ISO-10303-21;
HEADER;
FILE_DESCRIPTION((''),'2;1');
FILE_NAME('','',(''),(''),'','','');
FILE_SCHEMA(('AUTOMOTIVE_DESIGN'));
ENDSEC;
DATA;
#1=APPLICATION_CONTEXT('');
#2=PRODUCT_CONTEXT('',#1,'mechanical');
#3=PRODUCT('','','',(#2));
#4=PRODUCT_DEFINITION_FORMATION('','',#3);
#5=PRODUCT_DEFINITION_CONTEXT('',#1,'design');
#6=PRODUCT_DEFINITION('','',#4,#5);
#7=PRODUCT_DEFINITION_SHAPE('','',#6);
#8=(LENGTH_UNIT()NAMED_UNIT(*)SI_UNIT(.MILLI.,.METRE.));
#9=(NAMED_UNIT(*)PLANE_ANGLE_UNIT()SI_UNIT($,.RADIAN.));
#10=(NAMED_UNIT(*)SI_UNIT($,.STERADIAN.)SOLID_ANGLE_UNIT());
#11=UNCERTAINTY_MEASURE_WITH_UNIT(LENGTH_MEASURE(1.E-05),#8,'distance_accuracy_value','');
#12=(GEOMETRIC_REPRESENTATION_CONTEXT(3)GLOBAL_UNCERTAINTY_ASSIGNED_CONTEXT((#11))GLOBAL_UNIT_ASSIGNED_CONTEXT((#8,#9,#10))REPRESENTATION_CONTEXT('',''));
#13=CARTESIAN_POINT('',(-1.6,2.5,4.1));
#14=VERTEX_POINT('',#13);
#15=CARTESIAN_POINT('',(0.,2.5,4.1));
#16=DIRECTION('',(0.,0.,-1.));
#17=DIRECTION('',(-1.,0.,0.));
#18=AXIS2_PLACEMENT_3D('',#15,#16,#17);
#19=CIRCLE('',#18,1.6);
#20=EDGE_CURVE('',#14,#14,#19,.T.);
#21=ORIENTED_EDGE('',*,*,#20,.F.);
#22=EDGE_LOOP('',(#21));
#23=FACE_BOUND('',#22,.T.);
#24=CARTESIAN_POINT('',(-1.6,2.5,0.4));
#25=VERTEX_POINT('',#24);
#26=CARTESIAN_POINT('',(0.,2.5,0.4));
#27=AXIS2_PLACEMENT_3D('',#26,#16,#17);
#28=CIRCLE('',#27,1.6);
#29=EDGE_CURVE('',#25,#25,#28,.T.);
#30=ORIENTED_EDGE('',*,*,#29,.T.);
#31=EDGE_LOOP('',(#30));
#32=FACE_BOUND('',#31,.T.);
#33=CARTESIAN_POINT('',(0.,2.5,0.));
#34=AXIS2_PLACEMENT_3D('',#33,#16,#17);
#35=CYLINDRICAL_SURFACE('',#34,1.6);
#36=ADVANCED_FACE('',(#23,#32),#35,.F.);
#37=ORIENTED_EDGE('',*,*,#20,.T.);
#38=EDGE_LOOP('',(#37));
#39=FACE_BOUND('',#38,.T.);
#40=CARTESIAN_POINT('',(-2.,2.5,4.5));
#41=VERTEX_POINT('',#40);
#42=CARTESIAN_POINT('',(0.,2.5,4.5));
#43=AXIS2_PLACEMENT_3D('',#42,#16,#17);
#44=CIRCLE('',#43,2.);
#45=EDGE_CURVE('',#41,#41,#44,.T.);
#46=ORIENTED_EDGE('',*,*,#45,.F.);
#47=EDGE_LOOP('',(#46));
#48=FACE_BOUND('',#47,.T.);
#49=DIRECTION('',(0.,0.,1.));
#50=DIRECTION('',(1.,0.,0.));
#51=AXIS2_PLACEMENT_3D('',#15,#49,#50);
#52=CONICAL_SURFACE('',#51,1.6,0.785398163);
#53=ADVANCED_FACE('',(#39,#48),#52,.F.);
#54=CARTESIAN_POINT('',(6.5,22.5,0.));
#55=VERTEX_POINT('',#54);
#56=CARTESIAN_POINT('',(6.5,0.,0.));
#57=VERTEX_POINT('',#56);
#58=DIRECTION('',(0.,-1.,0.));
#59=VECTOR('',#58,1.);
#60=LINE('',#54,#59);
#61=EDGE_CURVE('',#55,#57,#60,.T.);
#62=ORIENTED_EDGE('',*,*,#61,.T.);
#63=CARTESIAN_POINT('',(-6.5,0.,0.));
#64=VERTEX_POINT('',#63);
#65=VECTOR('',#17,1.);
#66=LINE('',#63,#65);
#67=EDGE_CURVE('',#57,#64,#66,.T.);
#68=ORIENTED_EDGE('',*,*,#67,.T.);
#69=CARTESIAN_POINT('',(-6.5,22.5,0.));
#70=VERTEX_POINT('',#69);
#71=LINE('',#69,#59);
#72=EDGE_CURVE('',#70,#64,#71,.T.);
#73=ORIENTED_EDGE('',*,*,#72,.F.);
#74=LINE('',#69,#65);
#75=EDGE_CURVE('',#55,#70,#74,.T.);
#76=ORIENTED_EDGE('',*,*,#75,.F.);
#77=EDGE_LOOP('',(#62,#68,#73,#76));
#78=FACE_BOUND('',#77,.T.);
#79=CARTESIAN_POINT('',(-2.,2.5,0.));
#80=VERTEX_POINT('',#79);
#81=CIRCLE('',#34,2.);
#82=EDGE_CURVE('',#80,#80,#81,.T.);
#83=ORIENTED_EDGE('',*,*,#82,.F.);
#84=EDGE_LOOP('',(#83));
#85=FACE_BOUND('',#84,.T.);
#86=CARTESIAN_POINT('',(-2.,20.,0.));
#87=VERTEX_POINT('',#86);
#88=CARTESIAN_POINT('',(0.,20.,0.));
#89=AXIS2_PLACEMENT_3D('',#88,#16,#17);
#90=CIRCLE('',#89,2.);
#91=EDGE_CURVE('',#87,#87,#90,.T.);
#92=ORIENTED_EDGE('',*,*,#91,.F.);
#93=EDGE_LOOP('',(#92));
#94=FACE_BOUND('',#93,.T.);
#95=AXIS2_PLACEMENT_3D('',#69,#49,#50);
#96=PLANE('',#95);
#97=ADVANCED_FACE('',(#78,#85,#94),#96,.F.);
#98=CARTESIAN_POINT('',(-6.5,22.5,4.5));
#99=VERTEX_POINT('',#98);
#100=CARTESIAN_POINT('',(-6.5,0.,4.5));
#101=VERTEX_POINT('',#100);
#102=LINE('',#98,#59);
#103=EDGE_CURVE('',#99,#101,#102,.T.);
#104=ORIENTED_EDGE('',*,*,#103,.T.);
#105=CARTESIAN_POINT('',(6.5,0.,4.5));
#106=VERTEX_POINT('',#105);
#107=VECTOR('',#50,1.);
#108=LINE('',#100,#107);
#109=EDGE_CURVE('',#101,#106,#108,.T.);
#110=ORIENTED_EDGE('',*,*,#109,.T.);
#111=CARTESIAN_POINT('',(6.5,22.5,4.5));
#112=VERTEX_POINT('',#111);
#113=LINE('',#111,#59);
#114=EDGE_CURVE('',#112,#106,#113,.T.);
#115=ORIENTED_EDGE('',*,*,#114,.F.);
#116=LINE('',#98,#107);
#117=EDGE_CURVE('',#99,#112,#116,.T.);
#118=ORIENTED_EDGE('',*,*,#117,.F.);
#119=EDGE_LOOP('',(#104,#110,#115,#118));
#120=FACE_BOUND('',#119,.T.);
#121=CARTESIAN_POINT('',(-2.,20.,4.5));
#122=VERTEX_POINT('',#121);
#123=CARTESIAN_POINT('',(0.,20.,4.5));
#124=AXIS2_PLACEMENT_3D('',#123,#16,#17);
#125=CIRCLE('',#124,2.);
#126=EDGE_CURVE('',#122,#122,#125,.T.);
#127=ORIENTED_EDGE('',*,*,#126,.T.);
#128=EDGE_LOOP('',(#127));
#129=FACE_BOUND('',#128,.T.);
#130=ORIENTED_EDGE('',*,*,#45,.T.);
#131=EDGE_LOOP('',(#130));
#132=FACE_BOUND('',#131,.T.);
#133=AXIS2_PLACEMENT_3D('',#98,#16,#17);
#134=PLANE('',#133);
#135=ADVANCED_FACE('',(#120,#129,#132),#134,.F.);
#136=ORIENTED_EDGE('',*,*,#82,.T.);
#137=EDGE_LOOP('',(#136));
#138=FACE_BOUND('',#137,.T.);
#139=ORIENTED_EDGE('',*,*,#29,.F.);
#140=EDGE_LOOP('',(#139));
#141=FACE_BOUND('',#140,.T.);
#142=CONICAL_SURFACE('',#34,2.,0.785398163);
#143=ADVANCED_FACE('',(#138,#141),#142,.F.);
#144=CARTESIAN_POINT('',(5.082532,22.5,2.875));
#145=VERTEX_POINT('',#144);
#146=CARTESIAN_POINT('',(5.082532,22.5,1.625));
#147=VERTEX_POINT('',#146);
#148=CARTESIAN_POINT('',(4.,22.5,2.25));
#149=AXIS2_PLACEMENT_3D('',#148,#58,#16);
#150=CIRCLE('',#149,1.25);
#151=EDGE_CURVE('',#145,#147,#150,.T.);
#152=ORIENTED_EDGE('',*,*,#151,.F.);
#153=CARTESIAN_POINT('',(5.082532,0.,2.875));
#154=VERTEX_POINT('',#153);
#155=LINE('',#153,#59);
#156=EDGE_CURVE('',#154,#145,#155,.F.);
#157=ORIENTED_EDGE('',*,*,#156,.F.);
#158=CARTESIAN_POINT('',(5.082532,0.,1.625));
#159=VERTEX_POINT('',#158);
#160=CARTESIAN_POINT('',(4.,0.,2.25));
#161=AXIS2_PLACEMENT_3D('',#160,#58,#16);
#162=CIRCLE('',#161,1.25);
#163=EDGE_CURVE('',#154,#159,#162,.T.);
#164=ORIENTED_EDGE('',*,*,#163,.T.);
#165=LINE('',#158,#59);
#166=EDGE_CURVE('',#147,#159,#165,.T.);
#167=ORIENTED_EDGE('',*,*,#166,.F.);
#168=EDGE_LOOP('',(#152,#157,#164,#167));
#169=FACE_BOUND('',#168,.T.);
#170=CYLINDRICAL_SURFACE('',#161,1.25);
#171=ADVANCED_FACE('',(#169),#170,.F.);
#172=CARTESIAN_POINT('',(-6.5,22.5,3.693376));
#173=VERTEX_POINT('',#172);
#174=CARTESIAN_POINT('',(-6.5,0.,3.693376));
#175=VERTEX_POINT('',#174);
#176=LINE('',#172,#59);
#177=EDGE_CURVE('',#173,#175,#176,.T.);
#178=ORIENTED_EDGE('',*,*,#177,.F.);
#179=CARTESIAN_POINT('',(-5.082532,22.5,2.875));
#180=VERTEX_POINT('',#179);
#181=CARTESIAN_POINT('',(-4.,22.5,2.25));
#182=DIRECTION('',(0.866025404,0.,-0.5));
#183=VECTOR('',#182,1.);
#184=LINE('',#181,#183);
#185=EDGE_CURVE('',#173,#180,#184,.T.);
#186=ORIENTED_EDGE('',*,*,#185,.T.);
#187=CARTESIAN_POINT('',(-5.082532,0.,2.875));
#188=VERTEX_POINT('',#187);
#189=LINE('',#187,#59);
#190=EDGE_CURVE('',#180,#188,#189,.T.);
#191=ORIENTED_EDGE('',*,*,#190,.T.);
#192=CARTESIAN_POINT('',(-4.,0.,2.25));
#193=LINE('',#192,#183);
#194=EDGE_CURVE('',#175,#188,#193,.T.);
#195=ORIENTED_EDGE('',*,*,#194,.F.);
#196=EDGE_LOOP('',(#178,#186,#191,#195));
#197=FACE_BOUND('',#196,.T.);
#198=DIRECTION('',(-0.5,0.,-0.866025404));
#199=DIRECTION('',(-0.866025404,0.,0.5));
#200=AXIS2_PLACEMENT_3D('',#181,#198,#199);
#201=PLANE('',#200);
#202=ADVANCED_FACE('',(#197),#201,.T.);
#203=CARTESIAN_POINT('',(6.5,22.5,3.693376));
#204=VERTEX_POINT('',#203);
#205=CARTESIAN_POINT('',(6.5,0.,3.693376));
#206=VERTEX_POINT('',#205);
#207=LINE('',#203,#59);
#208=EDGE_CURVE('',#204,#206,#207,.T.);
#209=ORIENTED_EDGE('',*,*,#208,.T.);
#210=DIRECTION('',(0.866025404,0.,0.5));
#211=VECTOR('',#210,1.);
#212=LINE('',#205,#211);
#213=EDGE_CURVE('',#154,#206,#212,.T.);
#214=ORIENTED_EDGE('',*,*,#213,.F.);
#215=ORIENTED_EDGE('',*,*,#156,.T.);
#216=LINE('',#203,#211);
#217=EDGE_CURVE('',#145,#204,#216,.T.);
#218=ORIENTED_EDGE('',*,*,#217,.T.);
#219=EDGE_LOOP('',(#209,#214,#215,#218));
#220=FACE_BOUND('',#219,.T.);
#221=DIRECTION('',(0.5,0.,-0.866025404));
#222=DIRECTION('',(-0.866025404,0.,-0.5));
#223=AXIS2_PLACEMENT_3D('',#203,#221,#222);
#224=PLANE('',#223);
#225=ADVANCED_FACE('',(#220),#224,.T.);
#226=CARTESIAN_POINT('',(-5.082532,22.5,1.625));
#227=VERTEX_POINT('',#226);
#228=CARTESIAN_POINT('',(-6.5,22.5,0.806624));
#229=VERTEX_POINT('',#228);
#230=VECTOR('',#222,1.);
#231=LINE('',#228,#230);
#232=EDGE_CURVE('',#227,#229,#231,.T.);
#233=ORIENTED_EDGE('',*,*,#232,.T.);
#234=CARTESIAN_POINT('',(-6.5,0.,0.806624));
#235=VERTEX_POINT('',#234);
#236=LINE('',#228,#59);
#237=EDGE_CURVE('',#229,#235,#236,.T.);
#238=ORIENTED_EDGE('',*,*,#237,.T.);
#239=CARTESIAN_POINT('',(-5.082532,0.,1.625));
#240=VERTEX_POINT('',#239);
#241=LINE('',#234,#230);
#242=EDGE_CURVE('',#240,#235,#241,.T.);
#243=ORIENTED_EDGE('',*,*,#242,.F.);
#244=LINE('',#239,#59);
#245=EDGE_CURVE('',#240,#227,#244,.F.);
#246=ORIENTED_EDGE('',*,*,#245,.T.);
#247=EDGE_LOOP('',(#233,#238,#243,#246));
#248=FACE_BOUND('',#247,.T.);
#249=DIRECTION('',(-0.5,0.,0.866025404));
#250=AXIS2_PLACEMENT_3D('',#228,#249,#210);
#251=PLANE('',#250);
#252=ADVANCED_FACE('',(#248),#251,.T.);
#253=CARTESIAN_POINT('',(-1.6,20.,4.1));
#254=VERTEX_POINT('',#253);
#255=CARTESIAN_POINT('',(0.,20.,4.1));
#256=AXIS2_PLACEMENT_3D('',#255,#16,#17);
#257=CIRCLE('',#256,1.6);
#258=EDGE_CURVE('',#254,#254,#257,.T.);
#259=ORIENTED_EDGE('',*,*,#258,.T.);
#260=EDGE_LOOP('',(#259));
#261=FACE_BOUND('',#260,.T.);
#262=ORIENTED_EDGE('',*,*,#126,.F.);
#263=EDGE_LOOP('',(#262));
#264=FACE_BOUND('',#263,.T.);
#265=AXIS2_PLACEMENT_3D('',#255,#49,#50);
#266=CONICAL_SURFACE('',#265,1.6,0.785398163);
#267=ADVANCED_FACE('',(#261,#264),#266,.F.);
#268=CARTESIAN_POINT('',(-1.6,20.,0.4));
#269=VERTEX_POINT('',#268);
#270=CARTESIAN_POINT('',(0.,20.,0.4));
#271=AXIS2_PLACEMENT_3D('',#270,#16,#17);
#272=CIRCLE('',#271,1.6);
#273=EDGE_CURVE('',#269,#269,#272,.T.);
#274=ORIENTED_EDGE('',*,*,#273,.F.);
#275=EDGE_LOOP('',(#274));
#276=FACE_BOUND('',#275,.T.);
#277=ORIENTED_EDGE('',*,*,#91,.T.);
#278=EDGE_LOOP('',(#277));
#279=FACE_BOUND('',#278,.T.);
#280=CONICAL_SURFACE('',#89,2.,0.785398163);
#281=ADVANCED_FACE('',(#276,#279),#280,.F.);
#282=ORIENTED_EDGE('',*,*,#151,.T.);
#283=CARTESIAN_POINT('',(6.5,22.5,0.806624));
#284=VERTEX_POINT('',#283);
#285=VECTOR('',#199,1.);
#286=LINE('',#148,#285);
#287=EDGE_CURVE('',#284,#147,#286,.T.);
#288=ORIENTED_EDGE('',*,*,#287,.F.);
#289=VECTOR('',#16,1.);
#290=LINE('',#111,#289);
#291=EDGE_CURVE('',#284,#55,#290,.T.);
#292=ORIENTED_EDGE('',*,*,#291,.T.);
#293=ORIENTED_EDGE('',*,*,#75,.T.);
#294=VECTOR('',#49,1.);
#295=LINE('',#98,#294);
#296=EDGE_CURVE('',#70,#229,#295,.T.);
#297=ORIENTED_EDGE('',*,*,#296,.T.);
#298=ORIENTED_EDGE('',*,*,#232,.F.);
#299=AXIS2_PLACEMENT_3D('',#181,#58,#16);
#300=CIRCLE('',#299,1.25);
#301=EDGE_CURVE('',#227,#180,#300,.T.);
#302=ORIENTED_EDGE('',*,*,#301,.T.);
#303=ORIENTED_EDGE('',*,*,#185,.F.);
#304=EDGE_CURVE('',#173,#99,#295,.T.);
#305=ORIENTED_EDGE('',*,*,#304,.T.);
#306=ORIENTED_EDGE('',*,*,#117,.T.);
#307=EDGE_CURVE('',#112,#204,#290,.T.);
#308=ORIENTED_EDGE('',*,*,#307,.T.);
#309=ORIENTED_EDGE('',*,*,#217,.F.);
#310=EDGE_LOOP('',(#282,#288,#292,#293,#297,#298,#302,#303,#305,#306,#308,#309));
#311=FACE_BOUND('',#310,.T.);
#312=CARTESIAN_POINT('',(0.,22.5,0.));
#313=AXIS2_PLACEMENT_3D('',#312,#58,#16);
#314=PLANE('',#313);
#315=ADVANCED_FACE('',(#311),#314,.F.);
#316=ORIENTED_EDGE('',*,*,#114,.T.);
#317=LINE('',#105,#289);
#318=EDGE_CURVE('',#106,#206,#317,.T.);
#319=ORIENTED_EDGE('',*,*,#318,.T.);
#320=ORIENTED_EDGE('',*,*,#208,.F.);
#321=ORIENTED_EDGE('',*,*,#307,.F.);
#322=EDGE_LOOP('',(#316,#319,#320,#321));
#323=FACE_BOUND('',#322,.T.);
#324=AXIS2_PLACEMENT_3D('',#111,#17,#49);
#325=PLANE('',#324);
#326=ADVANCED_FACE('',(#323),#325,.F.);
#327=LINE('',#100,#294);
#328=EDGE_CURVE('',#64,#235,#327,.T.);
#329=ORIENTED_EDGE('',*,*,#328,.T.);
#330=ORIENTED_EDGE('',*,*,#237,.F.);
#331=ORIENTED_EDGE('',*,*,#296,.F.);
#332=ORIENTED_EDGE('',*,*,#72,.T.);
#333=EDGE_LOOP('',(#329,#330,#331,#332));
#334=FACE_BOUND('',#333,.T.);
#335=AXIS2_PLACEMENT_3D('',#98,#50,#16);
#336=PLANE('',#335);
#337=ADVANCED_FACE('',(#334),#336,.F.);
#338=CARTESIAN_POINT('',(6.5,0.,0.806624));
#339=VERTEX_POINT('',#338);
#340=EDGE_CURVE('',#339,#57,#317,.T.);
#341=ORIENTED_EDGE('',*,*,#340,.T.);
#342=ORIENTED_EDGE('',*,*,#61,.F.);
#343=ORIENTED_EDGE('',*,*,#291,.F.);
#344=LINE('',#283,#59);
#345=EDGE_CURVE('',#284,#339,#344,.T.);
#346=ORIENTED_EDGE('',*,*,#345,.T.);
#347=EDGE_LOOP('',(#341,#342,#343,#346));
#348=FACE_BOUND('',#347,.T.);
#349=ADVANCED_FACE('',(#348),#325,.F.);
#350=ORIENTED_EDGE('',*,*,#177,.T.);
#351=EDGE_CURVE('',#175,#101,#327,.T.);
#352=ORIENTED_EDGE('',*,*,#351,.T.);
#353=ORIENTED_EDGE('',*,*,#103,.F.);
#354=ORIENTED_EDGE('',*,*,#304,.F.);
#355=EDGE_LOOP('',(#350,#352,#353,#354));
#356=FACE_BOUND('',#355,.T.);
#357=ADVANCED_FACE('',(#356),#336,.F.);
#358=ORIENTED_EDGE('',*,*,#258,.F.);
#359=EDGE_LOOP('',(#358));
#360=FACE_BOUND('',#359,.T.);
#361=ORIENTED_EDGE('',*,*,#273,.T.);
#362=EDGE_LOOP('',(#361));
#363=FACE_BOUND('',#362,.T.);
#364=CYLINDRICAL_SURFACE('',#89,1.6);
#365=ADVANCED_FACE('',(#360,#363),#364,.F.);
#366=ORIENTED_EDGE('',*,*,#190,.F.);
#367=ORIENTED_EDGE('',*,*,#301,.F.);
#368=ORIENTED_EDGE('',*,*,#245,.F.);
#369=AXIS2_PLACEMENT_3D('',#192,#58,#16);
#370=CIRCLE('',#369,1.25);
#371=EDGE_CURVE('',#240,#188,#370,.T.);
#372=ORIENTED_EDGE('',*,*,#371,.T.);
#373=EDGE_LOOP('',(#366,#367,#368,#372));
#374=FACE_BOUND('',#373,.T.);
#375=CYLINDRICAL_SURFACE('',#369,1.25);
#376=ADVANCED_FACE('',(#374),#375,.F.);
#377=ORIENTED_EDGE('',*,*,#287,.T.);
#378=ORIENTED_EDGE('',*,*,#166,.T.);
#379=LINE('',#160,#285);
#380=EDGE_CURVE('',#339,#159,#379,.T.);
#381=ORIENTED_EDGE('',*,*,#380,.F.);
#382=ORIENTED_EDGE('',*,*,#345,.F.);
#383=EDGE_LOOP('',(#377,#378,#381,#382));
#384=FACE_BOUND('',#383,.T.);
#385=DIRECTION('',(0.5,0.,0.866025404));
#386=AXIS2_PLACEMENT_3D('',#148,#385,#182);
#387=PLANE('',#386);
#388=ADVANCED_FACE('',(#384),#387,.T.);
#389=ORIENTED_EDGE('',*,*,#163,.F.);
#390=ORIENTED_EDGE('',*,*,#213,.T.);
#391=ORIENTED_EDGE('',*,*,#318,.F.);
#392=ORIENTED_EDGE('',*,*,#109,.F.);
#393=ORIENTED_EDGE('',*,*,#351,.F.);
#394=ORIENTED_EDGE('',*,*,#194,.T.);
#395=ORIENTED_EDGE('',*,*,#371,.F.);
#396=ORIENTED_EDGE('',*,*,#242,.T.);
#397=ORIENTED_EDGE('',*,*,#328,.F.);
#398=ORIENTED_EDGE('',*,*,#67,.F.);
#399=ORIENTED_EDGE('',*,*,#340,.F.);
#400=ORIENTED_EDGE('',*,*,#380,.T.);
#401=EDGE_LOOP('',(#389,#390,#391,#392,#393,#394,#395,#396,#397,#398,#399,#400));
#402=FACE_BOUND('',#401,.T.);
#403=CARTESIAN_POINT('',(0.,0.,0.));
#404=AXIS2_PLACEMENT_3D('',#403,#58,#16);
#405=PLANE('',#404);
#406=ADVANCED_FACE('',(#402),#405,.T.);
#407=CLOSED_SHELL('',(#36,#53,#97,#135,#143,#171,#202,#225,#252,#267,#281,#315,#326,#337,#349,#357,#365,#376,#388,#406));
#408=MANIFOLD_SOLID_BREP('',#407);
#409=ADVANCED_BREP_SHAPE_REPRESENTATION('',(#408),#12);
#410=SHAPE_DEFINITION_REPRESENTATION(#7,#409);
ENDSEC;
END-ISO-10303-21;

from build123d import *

# Parameters (mm, degrees)
BASE_SKETCH_W                 = 13
BASE_SKETCH_H                 = 4.5
BLOCK_SIZE_DEPTH              = 22.5
M3_CLEARANCE_HOLE1_AT_2_COUNT = 2
M3_CLEARANCE_HOLE1_AT_2_PITCH = 17.5
M3X0_5_TAPPED_HOLE1_D         = 2.5
SIDE_CUTS_DEPTH               = 23.5


with BuildPart() as part:
    # Base Sketch → Block Size (new body)
    with BuildSketch(Plane(origin=(0, 0, 0), x_dir=(1, 0, 0), z_dir=(0, 1, 0))):
        with Locations((0, -2.25)):
            Rectangle(BASE_SKETCH_W, BASE_SKETCH_H)
    extrude(amount=BLOCK_SIZE_DEPTH)

    # Sketch3 → M3 Clearance Hole1 (revolve, cut)
    with BuildSketch(Plane(origin=(0, 20, 0), x_dir=(0, 1, 0), z_dir=(1, 0, 0))):
        Polygon((0, 0), (0, 4.5), (2, 4.5), (1.6, 4.1), (1.6, 0.4), (2, 0), align=None)
    m3_clearance_hole1 = revolve(axis=Axis((0, 20, -6.35), (0, 0, 1)), mode=Mode.SUBTRACT)

    # M3 Clearance Hole1 at 2: M3 Clearance Hole1 ×2
    with Locations(*[(0, -i * M3_CLEARANCE_HOLE1_AT_2_PITCH, 0) for i in range(1, M3_CLEARANCE_HOLE1_AT_2_COUNT)]):
        add(m3_clearance_hole1, mode=Mode.SUBTRACT)

    # M3x0.5 Tapped Hole1 (through all)
    with Locations(Plane.XZ):
        with Locations((-3.999999936, 2.25), (3.999999936, 2.25)):
            Hole(M3X0_5_TAPPED_HOLE1_D / 2)

    # Sketch6 → Side Cuts (cut, through all)
    with BuildSketch(Plane(origin=(0, 0, 0), x_dir=(1, 0, 0), z_dir=(0, 1, 0))):
        Polygon((-6.5, -0.80662429), (-3.999999936, -2.25), (-6.5, -3.69337571), align=None)
        Polygon((3.999999936, -2.25), (6.5, -0.80662429), (6.5, -3.69337571), align=None)
    extrude(amount=SIDE_CUTS_DEPTH, mode=Mode.SUBTRACT)


solid = part.part
